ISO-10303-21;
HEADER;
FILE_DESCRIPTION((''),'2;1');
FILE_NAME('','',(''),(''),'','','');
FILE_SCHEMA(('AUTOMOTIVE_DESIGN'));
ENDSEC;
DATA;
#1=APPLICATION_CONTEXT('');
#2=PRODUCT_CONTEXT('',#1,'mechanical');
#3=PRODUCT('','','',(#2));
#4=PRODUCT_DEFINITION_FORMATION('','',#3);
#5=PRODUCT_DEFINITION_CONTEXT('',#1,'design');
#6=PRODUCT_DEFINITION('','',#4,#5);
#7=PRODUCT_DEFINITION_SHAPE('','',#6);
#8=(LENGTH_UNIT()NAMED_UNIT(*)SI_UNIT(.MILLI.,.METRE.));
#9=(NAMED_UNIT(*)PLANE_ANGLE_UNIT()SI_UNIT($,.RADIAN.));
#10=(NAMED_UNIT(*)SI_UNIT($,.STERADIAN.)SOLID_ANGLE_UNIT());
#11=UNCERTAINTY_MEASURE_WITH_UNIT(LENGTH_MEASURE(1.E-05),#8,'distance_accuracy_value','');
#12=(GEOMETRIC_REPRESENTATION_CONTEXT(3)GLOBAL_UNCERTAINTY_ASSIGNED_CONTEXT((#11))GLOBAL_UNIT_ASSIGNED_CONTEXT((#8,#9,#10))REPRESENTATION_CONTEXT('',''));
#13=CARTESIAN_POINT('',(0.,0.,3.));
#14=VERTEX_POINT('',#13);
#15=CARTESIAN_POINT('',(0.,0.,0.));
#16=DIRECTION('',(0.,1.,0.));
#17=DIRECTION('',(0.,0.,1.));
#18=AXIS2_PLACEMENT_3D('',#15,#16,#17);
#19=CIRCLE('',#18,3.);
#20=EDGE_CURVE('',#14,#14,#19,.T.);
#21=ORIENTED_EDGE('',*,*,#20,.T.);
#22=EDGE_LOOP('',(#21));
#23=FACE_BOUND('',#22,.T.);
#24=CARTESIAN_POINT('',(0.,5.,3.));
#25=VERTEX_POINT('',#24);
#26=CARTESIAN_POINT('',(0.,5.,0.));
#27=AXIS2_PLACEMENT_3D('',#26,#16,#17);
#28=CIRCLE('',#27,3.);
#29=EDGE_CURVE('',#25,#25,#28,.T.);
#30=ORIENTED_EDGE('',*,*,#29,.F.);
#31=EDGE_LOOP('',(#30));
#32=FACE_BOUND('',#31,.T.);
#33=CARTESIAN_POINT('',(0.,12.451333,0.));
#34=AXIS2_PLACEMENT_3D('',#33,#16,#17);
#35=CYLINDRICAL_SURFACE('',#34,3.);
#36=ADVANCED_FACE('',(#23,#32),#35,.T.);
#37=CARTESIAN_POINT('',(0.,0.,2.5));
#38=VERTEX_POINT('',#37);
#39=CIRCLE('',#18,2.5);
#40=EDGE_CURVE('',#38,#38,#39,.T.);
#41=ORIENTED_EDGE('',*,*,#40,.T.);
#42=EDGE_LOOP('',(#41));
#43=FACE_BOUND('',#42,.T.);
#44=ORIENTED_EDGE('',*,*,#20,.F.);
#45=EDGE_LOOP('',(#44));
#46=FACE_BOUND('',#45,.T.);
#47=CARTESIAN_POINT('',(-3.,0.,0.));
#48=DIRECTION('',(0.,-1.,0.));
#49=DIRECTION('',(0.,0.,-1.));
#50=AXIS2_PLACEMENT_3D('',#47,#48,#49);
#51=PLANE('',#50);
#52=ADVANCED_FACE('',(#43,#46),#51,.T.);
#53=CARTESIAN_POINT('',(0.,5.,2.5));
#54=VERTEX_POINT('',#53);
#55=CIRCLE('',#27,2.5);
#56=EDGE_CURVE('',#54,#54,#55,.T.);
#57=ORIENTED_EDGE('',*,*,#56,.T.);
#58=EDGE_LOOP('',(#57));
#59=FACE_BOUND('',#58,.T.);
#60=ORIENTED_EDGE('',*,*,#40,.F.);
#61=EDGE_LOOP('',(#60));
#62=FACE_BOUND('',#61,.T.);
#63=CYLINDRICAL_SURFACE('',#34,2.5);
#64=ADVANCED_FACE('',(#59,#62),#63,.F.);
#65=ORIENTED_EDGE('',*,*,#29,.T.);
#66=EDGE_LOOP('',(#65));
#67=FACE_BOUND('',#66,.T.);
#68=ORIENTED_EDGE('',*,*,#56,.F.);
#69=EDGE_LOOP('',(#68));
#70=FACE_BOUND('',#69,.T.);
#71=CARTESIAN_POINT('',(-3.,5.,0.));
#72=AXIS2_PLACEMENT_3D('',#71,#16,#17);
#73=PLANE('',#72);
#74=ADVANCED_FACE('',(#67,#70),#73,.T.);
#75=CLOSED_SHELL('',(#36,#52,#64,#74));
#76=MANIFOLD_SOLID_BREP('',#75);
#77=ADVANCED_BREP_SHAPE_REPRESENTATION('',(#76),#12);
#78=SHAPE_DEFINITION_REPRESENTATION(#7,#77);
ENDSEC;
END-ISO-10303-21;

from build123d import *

# Parameters (mm, degrees)
SKETCH1_W = 0.5
SKETCH1_H = 5


with BuildPart() as part:
    # Sketch1 → Revolve1 (revolve)
    with BuildSketch(Plane.XY, mode=Mode.PRIVATE) as revolve1_sk:
        with Locations((-2.75, 2.5)):
            Rectangle(SKETCH1_W, SKETCH1_H)
    revolve(revolve1_sk.sketch.rotate(Axis((0, 12.451333261, 0), (0, -1, 0)), 270), axis=Axis((0, 12.451333261, 0), (0, -1, 0)))


solid = part.part
